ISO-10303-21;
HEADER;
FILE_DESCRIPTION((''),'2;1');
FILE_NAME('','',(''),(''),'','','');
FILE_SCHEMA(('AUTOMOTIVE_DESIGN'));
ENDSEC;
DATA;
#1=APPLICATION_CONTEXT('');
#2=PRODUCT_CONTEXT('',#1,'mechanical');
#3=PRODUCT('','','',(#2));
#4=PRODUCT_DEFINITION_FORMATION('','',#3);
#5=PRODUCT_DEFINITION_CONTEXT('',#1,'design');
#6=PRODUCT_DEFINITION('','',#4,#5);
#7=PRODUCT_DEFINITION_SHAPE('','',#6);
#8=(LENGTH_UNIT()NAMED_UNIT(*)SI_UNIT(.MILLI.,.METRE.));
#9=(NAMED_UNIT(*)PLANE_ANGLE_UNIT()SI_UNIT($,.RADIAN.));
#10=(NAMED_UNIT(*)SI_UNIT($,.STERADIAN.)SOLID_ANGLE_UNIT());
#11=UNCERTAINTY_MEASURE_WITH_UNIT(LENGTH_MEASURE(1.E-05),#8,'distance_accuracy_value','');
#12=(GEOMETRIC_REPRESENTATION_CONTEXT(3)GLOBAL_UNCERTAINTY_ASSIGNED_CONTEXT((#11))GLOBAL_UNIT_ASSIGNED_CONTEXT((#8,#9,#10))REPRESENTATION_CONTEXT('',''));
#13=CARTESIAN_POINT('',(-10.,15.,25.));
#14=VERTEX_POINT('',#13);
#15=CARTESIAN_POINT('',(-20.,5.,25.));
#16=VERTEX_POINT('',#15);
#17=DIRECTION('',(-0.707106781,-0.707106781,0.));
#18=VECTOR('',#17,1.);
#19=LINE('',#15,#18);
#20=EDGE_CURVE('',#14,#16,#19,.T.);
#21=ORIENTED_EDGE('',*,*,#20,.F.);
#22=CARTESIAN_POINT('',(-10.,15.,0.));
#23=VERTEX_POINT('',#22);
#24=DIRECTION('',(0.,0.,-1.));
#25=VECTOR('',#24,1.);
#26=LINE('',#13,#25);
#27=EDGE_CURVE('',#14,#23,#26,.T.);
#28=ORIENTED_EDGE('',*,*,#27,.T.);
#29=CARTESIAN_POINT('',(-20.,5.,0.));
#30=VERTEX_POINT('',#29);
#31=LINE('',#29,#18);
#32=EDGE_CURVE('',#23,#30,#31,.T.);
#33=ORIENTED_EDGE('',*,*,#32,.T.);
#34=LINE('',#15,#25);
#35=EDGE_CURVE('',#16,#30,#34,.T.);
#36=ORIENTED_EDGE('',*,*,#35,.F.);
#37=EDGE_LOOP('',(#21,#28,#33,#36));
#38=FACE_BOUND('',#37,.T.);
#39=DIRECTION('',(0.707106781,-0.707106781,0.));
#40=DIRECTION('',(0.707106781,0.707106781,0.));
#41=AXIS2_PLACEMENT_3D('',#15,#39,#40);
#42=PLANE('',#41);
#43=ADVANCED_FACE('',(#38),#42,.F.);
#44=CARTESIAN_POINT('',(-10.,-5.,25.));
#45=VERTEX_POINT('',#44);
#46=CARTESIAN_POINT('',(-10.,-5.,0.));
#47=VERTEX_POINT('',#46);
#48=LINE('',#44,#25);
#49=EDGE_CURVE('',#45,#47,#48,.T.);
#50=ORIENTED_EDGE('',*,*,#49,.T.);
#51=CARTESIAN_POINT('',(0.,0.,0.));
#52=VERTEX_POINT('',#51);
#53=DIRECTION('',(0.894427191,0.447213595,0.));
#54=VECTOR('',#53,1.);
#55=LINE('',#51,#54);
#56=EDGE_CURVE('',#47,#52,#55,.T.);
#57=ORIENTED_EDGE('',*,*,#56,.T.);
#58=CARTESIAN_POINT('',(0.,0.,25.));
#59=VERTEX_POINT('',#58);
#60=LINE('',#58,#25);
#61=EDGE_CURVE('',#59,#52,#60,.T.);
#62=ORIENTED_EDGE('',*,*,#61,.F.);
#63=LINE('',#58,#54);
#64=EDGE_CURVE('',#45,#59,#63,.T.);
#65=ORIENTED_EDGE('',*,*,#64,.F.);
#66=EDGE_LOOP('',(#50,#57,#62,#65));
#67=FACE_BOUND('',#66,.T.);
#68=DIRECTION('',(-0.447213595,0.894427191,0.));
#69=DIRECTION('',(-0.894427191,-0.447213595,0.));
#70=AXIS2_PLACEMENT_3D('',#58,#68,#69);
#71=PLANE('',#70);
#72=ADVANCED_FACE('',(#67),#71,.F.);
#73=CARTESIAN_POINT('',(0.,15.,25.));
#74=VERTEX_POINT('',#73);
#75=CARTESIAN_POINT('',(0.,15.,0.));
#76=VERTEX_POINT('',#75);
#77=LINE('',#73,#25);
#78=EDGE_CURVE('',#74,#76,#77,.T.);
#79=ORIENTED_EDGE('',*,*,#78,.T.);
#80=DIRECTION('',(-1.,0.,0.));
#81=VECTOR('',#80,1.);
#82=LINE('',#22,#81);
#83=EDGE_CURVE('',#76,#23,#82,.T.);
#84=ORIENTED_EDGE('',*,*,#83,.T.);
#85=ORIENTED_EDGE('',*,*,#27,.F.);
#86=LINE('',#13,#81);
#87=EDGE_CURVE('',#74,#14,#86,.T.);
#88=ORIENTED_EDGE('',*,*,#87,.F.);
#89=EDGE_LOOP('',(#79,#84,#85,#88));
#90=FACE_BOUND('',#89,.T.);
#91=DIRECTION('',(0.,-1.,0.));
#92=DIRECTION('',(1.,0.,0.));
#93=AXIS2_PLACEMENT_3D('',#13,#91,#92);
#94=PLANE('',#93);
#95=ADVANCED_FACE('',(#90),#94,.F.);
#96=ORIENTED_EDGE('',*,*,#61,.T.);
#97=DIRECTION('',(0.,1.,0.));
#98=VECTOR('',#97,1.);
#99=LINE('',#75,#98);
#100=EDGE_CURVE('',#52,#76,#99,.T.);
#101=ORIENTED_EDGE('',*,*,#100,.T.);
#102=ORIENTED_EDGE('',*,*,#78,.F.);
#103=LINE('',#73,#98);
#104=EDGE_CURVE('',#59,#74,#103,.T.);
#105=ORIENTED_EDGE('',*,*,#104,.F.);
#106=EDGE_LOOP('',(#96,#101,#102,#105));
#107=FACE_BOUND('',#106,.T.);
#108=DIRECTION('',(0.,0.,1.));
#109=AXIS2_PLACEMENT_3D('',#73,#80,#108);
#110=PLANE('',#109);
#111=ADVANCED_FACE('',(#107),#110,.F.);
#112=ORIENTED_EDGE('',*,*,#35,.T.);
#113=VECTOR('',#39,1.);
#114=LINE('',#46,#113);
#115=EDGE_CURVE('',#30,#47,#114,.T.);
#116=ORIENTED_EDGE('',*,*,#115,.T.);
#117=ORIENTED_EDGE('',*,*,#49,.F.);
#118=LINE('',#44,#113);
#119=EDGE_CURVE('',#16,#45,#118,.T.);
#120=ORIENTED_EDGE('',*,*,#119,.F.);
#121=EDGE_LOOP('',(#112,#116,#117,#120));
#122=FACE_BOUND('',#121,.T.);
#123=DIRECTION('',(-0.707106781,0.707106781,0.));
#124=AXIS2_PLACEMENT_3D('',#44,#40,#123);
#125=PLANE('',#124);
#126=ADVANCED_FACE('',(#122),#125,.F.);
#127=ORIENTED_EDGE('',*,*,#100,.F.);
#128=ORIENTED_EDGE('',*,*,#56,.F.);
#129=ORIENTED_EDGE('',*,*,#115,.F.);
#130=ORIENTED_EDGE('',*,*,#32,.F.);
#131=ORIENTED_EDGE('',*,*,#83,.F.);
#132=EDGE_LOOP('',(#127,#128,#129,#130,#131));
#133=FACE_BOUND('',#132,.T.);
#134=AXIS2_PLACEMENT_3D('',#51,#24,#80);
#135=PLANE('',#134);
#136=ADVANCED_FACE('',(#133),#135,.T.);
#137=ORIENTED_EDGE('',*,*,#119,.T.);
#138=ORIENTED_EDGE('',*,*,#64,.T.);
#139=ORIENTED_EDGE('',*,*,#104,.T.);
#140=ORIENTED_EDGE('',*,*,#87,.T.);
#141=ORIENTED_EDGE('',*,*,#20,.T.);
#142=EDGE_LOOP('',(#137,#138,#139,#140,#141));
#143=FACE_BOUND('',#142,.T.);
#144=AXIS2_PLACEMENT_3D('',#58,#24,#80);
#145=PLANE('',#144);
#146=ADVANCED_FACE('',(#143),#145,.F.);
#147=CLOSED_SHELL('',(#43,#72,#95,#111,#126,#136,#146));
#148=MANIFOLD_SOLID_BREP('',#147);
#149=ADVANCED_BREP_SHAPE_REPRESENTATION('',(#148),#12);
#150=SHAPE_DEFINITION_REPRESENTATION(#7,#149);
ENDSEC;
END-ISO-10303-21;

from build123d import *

# Parameters (mm, degrees)
BOSS_EXTRUDE1_DEPTH = 25


with BuildPart() as part:
    # Sketch1 → Boss-Extrude1 (new body)
    with BuildSketch(Plane.XY):
        Polygon((-20, 5), (-10, 15), (0, 15), (0, 0), (-10, -5), align=None)
    extrude(amount=BOSS_EXTRUDE1_DEPTH)


solid = part.part
